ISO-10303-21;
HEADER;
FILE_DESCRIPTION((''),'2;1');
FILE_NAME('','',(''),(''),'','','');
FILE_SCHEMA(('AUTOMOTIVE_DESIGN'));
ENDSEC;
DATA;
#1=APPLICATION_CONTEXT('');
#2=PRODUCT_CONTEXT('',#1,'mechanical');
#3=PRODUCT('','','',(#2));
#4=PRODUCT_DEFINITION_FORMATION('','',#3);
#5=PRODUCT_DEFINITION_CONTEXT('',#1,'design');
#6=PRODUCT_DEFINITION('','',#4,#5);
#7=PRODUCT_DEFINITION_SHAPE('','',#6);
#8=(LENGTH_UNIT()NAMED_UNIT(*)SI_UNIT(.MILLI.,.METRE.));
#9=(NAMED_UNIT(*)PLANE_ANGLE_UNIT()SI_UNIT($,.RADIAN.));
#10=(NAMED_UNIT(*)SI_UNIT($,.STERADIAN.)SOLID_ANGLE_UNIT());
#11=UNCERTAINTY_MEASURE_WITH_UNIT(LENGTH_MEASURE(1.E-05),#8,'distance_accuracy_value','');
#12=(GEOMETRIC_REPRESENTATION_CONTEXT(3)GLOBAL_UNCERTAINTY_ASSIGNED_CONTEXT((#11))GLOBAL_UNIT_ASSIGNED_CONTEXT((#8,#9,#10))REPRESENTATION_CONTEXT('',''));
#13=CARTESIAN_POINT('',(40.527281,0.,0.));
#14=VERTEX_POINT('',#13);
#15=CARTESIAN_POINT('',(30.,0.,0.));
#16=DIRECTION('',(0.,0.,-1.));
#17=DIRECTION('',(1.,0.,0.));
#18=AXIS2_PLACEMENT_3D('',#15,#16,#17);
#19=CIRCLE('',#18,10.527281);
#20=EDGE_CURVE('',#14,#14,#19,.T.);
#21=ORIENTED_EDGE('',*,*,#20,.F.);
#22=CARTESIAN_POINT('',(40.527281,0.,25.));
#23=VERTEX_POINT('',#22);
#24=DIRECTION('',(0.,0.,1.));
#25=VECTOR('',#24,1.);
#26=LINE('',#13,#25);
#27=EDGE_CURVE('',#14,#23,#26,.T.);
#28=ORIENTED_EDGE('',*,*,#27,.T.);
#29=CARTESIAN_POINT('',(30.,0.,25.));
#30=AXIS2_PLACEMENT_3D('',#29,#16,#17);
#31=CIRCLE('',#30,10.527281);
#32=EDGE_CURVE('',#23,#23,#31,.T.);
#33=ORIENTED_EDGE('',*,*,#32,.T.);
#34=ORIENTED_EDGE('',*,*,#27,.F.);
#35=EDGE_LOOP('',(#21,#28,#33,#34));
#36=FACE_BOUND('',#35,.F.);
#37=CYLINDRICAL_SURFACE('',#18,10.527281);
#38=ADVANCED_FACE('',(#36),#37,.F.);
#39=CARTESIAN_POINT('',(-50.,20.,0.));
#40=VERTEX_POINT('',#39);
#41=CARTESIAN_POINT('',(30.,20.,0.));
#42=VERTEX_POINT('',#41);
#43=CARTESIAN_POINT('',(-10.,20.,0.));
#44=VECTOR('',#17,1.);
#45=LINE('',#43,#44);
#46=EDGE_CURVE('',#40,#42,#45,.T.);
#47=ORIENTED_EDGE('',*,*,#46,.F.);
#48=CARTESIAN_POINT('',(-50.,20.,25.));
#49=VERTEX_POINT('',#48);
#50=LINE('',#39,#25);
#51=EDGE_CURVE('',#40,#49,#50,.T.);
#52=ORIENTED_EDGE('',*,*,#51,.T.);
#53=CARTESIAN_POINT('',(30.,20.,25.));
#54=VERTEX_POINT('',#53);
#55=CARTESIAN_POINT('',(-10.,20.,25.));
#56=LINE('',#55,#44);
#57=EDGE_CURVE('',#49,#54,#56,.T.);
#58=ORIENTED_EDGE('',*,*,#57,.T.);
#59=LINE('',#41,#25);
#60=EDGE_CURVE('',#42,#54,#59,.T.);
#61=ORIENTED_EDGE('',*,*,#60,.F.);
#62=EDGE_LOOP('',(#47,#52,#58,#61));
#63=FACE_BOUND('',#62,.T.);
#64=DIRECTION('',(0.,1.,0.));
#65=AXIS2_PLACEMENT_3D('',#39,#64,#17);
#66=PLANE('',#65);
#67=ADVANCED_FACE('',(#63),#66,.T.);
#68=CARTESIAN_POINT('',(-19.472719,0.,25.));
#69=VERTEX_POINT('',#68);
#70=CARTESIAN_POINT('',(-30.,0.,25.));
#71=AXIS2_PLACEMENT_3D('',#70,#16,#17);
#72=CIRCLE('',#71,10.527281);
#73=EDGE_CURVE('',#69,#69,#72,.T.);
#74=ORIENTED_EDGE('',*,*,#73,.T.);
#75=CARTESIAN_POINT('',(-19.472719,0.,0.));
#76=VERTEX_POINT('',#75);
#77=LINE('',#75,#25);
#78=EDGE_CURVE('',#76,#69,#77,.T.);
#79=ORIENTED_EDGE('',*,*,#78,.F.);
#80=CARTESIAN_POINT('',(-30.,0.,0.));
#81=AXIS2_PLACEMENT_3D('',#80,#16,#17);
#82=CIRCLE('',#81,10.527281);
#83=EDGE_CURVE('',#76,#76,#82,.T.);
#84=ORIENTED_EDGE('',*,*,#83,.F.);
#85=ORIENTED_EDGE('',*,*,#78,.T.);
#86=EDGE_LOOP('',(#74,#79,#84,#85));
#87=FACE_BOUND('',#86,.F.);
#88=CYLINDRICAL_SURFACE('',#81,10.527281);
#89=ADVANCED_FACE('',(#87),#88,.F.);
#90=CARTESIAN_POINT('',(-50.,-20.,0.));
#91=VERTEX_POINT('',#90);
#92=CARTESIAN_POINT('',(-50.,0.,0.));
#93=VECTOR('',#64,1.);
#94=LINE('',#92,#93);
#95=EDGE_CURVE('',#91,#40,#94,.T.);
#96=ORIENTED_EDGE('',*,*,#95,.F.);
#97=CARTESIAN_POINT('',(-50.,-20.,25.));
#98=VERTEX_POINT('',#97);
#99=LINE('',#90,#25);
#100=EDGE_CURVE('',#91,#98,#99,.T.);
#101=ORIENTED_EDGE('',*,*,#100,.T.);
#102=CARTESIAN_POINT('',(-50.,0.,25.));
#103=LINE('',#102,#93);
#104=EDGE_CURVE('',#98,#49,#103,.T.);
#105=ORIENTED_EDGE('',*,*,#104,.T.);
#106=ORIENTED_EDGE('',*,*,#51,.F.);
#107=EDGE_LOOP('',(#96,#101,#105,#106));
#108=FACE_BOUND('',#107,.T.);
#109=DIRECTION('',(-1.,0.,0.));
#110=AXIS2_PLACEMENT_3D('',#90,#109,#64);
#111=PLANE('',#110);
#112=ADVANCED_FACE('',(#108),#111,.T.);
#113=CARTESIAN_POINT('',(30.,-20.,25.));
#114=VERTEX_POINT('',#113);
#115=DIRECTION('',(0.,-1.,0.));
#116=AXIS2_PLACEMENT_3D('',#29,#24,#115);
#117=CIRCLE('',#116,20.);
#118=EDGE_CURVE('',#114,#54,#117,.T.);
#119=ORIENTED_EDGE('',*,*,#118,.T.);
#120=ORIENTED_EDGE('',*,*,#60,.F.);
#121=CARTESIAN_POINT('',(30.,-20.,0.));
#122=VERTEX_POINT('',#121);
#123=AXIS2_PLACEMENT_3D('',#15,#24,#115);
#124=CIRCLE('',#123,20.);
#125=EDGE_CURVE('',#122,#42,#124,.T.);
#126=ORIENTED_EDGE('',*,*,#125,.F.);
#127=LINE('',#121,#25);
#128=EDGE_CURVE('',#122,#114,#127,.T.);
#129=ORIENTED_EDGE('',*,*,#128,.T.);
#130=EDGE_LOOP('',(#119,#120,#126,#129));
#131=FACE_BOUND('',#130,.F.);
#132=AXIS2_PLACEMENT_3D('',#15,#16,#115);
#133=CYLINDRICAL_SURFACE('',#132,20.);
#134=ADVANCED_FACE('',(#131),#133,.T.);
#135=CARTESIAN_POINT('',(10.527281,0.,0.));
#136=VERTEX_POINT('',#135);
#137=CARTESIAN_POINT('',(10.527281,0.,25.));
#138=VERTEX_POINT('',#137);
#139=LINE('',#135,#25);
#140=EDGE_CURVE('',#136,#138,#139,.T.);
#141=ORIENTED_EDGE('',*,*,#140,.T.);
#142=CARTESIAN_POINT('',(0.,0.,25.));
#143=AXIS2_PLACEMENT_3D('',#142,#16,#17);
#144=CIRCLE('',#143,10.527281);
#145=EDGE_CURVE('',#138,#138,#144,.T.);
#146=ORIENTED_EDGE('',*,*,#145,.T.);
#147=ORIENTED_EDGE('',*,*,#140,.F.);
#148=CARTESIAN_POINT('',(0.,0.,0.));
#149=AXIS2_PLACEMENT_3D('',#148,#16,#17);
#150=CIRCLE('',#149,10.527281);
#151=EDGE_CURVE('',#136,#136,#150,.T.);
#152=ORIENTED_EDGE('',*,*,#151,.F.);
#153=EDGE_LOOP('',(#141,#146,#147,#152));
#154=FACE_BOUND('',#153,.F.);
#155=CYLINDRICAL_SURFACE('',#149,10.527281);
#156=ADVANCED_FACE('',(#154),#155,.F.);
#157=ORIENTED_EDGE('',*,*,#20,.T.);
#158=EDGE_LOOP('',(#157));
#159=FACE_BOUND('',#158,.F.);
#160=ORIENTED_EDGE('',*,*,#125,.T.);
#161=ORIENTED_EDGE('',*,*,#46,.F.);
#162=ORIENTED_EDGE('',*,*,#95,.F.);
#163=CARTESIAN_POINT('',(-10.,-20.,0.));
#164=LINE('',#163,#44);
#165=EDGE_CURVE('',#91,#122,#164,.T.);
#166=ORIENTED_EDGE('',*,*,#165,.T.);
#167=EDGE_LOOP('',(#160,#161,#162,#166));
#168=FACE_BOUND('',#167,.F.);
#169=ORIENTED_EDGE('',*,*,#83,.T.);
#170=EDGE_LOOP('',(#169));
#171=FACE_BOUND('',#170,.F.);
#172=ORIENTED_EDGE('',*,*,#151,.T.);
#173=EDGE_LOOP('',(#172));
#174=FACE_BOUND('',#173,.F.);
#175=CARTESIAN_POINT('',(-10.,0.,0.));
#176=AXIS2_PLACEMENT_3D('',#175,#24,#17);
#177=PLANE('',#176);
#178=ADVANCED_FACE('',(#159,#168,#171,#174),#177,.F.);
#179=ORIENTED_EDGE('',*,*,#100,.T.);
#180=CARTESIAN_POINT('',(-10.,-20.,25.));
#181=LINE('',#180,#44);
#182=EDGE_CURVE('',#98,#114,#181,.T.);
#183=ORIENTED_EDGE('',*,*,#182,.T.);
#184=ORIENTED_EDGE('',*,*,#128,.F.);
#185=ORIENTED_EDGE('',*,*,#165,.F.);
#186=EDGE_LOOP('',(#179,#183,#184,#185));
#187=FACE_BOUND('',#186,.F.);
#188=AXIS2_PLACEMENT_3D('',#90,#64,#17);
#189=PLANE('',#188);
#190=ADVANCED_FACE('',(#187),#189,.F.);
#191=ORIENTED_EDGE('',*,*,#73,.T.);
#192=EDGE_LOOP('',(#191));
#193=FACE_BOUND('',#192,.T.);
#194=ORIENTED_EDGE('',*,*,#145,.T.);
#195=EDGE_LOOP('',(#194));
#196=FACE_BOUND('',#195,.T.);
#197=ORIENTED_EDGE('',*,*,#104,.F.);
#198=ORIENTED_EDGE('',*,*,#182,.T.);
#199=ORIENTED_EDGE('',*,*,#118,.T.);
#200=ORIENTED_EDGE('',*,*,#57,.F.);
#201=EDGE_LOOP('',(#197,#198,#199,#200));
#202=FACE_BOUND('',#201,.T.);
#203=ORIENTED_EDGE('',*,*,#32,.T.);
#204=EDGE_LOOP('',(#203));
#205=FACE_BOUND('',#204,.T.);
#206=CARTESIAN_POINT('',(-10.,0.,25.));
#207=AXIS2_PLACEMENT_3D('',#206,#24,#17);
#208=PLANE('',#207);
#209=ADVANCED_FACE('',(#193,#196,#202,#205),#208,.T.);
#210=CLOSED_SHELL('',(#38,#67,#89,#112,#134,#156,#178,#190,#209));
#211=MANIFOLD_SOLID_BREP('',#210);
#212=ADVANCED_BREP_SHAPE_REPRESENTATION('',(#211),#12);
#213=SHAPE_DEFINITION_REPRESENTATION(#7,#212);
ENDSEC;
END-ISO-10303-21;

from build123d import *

# Parameters (mm, degrees)
F0_W     = 80
F0_H     = 40
F1_DEPTH = 25
F2_R     = 10.527281
F3_DEPTH = 25


with BuildPart() as f1:
    # F0 (on Top) → F1 (new body)
    with BuildSketch(Plane.XY):
        with Locations((-10, 0)):
            Rectangle(F0_W, F0_H)
        with BuildLine():
            ThreePointArc((30, -20), (50, 0), (30, 20))
            Line((30, 20), (30, -20))
        make_face()
    extrude(amount=F1_DEPTH)

    # F2 (on face) → F3 (cut, through all)
    with BuildSketch(Plane(origin=(0, 0, 0), x_dir=(1, 0, 0), z_dir=(0, 0, -1))):
        with Locations((30, 0)):
            Circle(F2_R)
        Circle(F2_R)
        with Locations((-30, 0)):
            Circle(F2_R)
    extrude(amount=-F3_DEPTH, mode=Mode.SUBTRACT)


solid = f1.part
